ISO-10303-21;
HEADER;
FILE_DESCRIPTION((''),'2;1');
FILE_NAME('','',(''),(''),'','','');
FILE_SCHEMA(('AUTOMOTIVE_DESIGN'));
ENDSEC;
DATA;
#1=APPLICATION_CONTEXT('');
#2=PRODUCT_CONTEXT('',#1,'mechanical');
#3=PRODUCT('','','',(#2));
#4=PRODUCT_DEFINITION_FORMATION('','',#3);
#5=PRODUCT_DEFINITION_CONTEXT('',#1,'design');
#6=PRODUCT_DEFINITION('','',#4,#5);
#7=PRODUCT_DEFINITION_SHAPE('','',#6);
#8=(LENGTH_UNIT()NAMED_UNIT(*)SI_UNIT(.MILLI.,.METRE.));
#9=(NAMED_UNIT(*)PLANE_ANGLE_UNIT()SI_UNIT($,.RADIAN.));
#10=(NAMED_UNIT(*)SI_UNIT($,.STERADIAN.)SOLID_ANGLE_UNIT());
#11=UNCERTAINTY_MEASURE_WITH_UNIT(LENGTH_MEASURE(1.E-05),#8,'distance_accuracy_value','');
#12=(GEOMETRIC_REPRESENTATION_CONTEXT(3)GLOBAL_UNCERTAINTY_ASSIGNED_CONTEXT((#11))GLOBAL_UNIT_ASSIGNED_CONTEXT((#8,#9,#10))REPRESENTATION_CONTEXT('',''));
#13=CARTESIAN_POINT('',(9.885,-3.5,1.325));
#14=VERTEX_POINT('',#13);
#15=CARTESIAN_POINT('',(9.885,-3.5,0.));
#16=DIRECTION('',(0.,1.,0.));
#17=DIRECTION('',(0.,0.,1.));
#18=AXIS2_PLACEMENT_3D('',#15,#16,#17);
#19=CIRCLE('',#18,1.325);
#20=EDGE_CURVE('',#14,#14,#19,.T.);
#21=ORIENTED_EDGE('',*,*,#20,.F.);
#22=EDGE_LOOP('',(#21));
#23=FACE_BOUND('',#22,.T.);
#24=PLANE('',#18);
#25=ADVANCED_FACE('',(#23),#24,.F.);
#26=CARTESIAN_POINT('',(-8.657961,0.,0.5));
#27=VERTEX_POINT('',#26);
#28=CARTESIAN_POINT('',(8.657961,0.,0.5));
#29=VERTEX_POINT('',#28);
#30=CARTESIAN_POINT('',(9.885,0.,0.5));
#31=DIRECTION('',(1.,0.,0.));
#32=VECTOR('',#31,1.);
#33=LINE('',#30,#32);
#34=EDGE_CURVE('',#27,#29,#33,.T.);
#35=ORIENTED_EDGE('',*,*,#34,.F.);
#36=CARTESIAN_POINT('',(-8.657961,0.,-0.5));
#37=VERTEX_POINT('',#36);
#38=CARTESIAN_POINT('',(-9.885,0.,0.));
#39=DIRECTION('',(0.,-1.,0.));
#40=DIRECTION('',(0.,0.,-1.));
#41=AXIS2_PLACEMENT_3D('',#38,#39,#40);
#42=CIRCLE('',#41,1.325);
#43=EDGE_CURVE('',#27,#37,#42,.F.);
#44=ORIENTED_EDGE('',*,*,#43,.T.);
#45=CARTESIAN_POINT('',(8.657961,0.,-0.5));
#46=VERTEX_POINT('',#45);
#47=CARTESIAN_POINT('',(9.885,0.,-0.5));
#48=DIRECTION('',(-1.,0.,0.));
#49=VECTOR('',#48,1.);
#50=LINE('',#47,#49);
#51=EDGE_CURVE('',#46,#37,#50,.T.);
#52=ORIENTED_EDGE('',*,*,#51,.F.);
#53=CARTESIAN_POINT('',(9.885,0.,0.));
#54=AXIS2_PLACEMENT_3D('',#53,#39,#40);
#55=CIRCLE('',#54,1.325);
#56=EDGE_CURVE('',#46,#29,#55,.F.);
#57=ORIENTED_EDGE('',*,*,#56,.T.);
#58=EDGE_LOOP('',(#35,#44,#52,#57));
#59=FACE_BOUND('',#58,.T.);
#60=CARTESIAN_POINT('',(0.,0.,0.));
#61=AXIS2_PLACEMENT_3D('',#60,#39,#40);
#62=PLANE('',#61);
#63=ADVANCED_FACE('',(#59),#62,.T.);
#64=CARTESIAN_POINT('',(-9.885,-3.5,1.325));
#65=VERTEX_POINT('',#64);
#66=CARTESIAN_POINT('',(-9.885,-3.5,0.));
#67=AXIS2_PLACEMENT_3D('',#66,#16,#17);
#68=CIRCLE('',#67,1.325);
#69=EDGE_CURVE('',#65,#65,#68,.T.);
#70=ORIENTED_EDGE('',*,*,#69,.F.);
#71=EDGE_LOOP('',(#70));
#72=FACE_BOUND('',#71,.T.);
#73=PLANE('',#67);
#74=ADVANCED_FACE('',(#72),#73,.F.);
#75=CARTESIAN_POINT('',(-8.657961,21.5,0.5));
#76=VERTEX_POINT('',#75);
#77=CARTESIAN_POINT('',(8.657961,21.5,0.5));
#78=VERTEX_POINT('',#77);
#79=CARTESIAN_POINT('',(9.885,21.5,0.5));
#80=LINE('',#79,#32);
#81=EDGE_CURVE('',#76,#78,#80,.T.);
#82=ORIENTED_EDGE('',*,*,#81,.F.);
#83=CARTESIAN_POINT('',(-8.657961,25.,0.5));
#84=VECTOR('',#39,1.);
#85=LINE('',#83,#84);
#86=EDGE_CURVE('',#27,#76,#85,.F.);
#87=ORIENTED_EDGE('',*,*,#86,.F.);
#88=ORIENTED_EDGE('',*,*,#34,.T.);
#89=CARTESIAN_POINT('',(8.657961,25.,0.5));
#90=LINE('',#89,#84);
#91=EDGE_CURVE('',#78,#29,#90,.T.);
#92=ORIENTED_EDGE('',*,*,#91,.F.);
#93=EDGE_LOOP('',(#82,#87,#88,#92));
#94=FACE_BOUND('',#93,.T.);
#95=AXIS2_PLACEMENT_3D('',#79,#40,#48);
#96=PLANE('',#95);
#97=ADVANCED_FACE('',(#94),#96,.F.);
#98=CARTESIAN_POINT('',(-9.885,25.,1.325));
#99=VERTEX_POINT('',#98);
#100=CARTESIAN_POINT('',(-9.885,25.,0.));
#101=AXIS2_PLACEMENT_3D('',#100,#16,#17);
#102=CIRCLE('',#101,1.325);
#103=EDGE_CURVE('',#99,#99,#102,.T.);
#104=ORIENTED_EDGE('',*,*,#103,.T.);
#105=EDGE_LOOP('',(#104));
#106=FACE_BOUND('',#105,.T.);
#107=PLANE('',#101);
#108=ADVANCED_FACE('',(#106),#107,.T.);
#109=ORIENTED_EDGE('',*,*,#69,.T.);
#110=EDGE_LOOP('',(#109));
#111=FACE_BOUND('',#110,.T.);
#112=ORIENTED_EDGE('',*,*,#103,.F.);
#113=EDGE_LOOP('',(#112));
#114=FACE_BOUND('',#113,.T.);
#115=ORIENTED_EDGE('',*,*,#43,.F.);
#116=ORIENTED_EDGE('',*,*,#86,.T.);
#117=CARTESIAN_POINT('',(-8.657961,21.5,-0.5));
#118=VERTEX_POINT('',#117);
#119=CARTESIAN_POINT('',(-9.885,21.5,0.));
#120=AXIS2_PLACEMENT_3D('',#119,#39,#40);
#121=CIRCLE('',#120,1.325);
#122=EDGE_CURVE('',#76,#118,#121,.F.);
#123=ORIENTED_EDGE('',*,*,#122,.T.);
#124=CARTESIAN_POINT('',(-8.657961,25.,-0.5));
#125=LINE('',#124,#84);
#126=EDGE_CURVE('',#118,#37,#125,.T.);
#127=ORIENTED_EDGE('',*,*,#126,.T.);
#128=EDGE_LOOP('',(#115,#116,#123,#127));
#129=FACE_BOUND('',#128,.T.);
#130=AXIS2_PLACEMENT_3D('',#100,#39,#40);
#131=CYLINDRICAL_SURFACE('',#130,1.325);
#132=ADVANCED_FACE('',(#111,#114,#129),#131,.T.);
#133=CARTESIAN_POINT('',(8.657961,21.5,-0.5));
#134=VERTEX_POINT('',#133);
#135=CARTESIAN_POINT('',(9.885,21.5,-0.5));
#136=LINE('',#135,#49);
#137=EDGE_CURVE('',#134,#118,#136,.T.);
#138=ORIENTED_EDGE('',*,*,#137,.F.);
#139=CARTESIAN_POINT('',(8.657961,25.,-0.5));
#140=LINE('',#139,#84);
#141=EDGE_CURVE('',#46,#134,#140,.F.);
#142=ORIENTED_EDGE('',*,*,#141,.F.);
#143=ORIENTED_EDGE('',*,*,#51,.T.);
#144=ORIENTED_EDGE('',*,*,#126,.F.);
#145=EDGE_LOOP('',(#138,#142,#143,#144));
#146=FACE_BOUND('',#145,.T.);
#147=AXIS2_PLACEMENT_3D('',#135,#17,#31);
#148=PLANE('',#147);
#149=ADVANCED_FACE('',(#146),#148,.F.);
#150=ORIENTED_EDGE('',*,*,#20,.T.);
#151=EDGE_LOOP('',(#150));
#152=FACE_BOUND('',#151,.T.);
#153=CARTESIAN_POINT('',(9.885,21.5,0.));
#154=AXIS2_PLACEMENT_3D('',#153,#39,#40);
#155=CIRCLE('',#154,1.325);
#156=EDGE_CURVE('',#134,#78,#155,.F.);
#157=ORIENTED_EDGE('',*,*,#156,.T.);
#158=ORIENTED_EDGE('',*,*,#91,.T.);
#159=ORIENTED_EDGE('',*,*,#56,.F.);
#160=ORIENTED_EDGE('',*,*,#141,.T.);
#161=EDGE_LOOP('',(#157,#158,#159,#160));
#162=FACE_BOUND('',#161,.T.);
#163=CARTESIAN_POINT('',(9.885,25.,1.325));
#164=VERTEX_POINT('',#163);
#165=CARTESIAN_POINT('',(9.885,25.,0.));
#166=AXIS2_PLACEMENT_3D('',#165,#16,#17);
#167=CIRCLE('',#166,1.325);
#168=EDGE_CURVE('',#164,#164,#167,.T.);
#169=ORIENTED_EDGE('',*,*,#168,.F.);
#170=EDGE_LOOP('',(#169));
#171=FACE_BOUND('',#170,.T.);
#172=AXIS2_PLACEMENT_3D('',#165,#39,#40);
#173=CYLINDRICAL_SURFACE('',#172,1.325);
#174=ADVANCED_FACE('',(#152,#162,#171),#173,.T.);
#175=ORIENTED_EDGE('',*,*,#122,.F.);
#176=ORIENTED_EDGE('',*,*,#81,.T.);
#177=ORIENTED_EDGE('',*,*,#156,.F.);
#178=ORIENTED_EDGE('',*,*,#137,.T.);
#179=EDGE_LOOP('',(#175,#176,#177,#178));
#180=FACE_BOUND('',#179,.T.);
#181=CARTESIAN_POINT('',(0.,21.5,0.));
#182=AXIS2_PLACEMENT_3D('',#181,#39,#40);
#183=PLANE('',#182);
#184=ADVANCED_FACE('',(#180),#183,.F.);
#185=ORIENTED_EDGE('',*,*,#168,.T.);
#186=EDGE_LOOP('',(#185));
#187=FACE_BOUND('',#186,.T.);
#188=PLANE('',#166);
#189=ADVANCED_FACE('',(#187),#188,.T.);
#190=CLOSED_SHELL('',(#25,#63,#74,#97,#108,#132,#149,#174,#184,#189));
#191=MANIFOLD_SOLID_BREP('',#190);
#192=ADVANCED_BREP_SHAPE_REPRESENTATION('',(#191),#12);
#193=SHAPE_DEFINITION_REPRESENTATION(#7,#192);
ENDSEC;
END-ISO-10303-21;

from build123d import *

# Parameters (mm, degrees)
SKETCH1_W           = 19.77
SKETCH1_H           = 1
BOSS_EXTRUDE1_DEPTH = 21.5
SKETCH2_R           = 1.325
BOSS_EXTRUDE2_DEPTH = 14.25


with BuildPart() as part:
    # Sketch1 → Boss-Extrude1 (new body)
    with BuildSketch(Plane(origin=(0, 0, 0), x_dir=(1, 0, 0), z_dir=(0, 1, 0))):
        Rectangle(SKETCH1_W, SKETCH1_H)
    extrude(amount=BOSS_EXTRUDE1_DEPTH)

    # Sketch2 → Boss-Extrude2 (add, symmetric)
    with BuildSketch(Plane(origin=(0, 10.75, 0), x_dir=(1, 0, 0), z_dir=(0, 1, 0))):
        with Locations(Location((-9.885, 0, 0), (0, 0, 270))):
            Circle(SKETCH2_R)
        with Locations(Location((9.885, 0, 0), (0, 0, 270))):
            Circle(SKETCH2_R)
    extrude(amount=BOSS_EXTRUDE2_DEPTH, both=True)


solid = part.part
